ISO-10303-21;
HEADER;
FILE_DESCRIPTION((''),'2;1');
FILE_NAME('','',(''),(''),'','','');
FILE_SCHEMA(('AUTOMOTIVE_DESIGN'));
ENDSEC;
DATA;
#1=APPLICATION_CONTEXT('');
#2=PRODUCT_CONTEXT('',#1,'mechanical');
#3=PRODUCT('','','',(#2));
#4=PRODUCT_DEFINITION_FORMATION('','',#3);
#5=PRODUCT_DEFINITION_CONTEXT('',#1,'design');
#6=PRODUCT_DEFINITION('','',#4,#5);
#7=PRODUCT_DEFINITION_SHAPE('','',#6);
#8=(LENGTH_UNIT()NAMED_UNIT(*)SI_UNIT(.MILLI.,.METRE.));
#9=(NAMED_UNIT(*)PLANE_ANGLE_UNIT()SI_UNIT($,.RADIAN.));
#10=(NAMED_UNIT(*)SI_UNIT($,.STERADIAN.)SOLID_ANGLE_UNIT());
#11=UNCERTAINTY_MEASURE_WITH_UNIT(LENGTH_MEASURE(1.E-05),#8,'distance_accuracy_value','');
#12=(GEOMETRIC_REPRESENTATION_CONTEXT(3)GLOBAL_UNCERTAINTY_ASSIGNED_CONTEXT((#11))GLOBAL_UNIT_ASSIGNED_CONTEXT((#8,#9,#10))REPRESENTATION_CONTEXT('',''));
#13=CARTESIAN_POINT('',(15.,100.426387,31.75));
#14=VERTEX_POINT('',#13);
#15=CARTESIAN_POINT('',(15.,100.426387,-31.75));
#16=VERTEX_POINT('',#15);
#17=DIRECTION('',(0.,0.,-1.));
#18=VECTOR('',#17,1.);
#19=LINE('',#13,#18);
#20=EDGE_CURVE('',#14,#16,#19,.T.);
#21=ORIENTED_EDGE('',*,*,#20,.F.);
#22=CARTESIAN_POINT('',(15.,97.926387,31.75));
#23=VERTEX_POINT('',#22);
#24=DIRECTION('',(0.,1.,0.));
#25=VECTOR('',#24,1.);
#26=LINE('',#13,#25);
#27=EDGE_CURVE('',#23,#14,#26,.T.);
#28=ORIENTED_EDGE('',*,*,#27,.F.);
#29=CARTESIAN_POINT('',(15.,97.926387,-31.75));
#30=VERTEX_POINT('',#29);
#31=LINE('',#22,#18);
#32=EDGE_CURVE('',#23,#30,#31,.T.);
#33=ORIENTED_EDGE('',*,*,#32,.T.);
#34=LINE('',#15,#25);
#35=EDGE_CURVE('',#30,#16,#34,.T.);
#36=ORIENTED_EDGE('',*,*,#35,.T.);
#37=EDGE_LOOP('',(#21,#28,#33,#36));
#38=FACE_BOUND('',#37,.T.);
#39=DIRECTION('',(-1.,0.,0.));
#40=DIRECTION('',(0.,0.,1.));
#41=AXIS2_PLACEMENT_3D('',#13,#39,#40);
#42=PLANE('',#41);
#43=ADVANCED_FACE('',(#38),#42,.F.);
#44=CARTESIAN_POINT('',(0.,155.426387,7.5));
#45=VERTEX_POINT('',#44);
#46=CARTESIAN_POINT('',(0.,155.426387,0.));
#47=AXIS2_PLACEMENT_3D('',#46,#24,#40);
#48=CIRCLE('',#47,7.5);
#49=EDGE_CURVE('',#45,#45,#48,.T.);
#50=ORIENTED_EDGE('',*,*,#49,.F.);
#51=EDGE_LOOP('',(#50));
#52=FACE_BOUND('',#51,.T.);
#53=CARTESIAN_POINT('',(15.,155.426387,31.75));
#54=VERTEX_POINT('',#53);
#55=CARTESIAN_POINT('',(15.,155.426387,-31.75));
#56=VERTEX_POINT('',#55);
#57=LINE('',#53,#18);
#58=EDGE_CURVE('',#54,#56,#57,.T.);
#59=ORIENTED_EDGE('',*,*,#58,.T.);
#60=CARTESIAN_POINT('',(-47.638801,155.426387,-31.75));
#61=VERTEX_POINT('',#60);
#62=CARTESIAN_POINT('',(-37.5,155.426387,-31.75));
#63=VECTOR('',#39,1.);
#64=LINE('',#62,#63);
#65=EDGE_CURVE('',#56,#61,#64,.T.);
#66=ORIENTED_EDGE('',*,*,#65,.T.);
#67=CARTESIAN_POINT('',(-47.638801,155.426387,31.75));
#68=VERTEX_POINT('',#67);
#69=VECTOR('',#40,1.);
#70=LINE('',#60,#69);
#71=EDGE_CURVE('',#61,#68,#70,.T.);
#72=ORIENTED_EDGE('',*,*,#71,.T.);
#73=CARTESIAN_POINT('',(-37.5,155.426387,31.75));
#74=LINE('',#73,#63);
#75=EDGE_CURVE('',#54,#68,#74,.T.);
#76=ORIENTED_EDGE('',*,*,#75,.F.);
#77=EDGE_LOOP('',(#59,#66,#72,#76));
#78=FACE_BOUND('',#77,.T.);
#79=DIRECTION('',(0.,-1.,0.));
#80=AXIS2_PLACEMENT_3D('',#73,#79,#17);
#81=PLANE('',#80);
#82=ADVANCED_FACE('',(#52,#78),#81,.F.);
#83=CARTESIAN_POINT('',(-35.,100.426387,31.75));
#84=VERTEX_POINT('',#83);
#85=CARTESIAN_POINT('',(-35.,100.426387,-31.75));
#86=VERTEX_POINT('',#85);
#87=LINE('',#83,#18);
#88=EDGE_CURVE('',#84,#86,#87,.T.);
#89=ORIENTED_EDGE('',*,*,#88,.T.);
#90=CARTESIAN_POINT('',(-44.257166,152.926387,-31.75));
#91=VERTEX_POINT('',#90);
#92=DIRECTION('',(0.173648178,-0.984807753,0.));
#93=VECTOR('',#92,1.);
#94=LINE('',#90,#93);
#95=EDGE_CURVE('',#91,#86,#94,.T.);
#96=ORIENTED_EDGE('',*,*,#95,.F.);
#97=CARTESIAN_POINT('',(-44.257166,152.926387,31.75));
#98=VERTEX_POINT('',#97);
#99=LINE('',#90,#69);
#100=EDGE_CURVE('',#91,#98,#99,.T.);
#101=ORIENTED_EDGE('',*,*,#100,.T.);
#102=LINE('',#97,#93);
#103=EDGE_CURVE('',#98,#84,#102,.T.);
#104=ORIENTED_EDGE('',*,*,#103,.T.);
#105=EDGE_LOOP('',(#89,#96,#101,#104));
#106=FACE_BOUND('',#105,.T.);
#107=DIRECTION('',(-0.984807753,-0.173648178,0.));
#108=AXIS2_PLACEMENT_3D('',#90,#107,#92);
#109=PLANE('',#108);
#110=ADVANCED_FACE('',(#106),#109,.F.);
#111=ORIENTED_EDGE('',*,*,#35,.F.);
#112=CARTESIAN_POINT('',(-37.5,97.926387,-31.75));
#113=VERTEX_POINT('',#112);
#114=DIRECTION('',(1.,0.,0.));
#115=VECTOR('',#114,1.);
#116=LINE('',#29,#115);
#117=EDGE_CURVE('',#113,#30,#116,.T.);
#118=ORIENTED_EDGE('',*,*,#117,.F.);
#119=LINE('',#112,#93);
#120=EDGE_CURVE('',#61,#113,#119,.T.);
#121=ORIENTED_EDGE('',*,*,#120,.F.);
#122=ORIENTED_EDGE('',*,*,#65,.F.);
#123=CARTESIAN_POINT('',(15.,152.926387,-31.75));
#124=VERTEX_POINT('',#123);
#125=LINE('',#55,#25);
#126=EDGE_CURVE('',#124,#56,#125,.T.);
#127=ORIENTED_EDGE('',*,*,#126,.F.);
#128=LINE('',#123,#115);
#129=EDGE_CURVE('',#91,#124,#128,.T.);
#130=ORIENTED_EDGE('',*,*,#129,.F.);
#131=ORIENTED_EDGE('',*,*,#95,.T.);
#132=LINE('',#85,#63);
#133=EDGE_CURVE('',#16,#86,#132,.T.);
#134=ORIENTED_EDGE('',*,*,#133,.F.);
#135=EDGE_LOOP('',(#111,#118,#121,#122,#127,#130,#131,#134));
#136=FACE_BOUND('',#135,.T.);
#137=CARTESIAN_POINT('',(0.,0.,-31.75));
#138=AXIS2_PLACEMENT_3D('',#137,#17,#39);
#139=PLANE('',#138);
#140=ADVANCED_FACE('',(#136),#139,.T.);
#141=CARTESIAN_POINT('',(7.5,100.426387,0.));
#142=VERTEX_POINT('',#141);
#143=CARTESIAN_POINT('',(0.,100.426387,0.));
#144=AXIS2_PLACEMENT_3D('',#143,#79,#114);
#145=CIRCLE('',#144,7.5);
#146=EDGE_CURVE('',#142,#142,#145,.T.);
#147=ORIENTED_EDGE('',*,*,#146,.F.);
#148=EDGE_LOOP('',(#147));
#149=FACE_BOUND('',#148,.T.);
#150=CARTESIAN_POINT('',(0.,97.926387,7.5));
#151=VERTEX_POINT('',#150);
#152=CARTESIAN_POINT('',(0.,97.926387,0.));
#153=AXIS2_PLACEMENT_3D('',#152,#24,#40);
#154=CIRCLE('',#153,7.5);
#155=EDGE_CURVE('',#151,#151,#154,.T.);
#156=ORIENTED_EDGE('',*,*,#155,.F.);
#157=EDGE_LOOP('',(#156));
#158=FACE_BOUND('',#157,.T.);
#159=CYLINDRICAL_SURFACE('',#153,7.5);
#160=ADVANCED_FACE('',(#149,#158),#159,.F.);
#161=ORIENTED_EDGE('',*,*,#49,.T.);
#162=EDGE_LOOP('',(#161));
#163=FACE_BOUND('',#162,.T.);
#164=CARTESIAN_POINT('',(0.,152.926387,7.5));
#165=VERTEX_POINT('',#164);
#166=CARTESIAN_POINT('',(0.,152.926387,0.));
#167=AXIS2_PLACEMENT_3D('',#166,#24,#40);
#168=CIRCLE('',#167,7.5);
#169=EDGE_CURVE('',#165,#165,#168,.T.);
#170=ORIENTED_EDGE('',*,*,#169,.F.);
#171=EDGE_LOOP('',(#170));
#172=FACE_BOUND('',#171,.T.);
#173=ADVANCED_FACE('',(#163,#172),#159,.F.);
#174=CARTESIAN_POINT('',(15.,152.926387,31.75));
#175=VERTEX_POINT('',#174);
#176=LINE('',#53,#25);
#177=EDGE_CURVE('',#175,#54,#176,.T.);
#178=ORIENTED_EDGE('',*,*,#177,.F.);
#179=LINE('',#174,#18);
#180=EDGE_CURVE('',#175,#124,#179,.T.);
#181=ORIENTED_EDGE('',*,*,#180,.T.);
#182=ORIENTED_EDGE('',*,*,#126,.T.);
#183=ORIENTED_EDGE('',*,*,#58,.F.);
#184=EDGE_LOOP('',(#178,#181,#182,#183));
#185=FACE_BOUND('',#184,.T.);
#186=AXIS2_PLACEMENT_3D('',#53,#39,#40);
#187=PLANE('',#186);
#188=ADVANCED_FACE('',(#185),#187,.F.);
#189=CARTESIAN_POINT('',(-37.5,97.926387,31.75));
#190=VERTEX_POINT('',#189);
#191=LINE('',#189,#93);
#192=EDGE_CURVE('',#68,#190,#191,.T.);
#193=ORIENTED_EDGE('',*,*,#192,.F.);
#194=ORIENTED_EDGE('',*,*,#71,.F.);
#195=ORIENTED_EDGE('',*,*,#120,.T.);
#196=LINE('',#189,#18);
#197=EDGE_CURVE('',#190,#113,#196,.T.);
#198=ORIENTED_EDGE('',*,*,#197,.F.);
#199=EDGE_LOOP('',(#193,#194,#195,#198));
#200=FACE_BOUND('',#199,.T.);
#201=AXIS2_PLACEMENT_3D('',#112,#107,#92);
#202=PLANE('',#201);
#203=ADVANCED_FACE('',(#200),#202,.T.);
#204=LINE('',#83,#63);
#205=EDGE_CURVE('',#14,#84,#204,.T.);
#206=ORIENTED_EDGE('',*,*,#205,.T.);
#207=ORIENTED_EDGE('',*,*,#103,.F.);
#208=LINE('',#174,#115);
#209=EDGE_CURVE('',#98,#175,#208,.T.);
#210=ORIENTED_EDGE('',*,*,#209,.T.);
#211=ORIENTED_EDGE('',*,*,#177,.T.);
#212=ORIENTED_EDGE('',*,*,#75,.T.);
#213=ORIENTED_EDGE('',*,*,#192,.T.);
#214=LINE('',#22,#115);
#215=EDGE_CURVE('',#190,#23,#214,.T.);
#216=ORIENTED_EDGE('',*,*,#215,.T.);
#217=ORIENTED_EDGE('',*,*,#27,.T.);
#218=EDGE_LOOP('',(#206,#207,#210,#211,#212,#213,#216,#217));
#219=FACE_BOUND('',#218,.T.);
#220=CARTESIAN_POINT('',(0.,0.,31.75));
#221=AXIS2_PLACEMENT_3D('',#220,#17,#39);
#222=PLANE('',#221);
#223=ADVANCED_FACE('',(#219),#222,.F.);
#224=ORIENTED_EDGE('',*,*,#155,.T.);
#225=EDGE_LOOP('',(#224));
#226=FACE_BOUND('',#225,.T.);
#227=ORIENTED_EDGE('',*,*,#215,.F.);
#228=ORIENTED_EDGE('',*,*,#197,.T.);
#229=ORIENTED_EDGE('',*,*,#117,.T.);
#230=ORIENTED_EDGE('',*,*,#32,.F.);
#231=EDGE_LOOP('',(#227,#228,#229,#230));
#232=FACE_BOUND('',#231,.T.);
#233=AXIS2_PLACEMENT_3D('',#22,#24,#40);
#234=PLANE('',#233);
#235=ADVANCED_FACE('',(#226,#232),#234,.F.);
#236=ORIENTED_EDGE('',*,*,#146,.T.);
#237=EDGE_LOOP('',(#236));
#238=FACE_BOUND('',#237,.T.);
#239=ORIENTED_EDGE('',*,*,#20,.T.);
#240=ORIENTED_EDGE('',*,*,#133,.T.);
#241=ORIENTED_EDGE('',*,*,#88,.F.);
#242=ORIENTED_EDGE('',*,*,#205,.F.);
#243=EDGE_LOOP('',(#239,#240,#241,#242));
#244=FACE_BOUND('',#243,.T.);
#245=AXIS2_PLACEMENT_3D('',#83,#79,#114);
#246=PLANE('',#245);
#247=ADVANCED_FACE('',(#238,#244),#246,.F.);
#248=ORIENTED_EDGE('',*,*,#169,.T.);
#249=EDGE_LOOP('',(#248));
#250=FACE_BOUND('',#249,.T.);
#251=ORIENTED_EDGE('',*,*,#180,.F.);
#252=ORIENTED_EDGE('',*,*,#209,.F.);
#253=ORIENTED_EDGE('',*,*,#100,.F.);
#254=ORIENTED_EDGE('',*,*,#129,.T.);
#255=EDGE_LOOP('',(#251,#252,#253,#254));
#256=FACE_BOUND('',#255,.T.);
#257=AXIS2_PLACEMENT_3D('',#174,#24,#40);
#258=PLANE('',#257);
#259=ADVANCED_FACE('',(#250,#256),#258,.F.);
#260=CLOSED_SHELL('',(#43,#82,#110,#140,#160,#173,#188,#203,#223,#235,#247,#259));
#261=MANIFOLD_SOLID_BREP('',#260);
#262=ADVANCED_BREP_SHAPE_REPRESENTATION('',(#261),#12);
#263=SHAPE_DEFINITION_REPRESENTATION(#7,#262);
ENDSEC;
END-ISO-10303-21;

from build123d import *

# Parameters (mm, degrees)
BOSS_EXTRUDE1_DEPTH = 31.75
BOSS_EXTRUDE3_DEPTH = 63.5
CUT_EXTRUDE1_DEPTH  = 175.52526199
SKETCH4_R           = 7.5
CUT_EXTRUDE2_DEPTH  = 82.140420864


with BuildPart() as part:
    # Sketch1 → Boss-Extrude1 (new, symmetric)
    with BuildSketch(Plane.XY):
        Polygon((15, 152.926386675), (-35, 152.926386675), (-35, 100.426386675), (15, 100.426386675), (15, 97.926386675), (-37.5, 97.926386675), (-37.5, 155.426386675), (15, 155.426386675), align=None)
    extrude(amount=BOSS_EXTRUDE1_DEPTH, both=True)

    # Sketch2 → Boss-Extrude3 (add)
    with BuildSketch(Plane.XY.offset(31.75)):
        Polygon((-37.5, 97.926386675), (-47.638801391, 155.426386675), (-37.5, 155.426386675), align=None)
    extrude(amount=-BOSS_EXTRUDE3_DEPTH)

    # Sketch3 → Cut-Extrude1 (cut, through all)
    with BuildSketch(Plane.XY.offset(31.75)):
        Polygon((-35, 152.926386675), (-44.257166487, 152.926386675), (-35, 100.426386675), align=None)
    extrude(amount=-CUT_EXTRUDE1_DEPTH, mode=Mode.SUBTRACT)

    # Sketch4 → Cut-Extrude2 (cut, through all)
    with BuildSketch(Plane(origin=(0, 155.426386675, 0), x_dir=(1, 0, 0), z_dir=(0, 1, 0))):
        with Locations(Location((0, 0, 0), (0, 0, 270))):
            Circle(SKETCH4_R)
    extrude(amount=-CUT_EXTRUDE2_DEPTH, mode=Mode.SUBTRACT)


solid = part.part
